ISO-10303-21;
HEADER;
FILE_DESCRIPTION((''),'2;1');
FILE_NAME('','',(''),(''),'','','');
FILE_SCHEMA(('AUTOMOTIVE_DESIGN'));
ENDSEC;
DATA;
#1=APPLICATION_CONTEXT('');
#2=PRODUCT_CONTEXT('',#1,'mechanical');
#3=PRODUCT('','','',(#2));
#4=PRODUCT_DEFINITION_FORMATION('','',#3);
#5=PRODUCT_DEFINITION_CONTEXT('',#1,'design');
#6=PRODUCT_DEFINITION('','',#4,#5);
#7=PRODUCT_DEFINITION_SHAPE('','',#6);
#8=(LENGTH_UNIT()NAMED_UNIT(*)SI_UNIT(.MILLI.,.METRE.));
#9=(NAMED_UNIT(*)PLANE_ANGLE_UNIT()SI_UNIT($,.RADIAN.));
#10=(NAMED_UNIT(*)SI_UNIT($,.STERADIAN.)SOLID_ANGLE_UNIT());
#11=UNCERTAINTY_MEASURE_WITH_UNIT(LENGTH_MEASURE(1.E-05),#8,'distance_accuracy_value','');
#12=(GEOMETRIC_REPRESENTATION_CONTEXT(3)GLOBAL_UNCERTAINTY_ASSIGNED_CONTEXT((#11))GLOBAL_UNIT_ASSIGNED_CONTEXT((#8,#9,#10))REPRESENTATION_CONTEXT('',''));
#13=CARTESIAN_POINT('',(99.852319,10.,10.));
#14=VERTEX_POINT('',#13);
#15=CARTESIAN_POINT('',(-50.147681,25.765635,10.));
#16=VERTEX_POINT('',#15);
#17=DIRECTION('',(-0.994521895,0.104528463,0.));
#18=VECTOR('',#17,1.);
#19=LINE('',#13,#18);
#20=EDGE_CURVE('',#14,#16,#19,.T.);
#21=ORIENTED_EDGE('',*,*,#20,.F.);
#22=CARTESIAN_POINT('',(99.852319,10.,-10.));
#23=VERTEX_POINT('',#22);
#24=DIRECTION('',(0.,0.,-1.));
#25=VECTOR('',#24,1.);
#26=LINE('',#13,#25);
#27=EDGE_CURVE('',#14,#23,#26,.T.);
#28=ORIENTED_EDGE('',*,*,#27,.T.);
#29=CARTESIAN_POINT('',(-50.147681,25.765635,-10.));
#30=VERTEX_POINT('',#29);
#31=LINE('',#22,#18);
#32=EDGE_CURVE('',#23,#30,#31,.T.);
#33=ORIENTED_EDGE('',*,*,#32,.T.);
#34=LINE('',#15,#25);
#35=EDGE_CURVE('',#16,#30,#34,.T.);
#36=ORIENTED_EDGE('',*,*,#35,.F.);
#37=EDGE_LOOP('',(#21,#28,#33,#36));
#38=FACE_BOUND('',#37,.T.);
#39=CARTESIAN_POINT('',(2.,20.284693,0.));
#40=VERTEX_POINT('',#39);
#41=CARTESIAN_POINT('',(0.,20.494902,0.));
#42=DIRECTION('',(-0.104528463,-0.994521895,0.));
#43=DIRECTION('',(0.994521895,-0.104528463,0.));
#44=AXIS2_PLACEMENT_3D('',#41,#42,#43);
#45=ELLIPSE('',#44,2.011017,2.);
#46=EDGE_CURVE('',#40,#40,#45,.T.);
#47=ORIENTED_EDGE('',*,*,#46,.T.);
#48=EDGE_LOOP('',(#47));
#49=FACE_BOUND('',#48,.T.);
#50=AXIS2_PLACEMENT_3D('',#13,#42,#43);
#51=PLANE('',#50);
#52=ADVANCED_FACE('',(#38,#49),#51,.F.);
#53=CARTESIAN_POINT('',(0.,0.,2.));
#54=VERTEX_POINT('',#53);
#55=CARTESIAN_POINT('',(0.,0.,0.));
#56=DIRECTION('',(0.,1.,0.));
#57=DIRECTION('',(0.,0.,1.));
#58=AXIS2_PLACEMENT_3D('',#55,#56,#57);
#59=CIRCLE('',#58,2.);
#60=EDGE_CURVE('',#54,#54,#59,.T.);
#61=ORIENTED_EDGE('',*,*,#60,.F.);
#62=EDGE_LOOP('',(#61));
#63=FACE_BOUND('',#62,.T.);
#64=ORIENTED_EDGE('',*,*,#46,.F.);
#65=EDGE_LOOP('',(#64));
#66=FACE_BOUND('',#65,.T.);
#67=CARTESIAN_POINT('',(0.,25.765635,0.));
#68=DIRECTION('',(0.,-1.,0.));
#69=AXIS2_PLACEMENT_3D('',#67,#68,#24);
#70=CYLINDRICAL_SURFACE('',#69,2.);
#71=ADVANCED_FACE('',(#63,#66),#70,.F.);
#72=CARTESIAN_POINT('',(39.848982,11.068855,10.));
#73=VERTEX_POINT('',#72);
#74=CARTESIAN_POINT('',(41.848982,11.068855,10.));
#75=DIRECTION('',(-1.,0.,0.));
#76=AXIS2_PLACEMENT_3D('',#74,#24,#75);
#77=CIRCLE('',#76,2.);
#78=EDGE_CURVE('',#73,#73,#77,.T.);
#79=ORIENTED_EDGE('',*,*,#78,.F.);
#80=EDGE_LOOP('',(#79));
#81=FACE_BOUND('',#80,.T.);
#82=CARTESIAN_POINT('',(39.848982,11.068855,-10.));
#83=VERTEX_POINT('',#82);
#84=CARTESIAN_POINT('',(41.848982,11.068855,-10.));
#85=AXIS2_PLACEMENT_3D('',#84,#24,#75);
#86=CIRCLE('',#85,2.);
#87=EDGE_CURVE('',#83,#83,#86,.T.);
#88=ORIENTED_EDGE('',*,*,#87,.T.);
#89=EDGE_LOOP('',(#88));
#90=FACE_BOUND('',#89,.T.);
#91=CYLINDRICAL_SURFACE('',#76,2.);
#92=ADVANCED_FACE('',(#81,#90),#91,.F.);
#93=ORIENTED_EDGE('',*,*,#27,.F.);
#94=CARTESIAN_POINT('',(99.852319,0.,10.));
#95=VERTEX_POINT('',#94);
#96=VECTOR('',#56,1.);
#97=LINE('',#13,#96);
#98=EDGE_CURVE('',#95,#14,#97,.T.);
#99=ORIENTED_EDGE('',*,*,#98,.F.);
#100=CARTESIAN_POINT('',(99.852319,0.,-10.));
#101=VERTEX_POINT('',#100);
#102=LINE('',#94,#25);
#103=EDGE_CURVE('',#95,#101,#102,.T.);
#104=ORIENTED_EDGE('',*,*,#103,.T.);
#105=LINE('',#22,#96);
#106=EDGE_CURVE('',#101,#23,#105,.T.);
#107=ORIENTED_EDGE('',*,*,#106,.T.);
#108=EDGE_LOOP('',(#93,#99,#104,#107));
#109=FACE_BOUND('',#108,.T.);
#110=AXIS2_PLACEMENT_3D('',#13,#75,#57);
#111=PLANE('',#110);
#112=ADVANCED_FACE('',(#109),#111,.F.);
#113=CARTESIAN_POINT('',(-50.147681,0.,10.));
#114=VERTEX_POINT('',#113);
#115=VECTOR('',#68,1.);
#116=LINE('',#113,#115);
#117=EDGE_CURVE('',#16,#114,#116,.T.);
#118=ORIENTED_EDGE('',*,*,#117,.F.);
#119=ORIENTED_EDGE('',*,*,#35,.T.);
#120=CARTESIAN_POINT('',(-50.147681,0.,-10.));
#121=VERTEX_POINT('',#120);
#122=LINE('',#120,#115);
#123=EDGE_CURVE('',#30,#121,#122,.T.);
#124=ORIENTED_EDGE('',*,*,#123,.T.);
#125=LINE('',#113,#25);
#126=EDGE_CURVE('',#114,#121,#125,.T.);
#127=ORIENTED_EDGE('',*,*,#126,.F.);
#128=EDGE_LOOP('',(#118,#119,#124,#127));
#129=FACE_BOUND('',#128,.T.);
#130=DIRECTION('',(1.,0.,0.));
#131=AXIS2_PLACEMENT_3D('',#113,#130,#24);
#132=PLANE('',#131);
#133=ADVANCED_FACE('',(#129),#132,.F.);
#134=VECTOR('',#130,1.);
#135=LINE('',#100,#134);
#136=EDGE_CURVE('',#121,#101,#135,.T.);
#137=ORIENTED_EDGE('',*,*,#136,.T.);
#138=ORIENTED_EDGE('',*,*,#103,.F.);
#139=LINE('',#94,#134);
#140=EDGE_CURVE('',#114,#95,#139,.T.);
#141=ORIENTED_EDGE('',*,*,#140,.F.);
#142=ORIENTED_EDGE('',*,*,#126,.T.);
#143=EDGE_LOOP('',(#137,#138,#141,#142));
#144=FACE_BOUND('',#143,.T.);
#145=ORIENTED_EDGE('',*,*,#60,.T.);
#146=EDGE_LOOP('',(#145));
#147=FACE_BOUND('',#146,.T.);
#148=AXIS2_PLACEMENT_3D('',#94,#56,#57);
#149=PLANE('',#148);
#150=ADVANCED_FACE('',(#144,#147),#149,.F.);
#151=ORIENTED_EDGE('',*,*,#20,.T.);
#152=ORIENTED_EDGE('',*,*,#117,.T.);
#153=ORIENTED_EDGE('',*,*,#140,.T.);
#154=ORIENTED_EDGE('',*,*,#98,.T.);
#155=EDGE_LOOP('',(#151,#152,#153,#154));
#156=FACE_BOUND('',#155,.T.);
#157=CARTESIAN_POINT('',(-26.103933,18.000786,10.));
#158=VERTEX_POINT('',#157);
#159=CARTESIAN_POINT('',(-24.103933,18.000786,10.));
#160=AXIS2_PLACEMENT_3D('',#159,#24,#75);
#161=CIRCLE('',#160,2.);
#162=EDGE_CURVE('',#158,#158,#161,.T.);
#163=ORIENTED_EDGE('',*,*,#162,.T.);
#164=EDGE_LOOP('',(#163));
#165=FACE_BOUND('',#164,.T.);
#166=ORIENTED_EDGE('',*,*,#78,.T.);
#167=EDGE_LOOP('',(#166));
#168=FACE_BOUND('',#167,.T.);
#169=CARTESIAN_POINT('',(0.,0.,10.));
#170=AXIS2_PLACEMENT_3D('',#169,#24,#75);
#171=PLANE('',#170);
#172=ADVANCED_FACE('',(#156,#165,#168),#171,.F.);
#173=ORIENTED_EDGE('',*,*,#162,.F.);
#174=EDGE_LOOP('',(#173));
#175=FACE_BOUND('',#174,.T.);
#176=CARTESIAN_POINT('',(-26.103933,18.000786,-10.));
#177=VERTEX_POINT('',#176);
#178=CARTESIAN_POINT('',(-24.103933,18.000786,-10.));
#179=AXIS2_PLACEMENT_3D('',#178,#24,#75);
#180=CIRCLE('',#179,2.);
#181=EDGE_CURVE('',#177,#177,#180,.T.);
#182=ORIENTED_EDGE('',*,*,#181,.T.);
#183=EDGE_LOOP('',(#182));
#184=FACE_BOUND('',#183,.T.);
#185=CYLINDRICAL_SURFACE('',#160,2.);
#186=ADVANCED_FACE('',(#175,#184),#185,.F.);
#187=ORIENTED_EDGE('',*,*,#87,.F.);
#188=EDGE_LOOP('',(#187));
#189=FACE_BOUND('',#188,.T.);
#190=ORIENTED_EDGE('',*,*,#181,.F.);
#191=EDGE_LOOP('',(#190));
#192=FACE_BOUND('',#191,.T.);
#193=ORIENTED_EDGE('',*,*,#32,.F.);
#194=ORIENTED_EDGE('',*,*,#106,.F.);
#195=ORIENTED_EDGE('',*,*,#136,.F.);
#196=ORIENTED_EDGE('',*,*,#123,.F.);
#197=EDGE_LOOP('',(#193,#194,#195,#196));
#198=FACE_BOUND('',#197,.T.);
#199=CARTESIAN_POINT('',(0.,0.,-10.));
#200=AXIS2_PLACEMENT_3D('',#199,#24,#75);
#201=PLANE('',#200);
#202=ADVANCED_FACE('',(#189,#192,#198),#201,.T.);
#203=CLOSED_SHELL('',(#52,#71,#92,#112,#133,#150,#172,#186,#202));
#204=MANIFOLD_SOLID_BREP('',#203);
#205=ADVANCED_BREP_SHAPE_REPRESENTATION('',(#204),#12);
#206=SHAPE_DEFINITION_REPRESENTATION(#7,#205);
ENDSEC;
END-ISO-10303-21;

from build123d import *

# Parameters (mm, degrees)
BOSS_EXTRUDE1_DEPTH     = 10
CUT_EXTRUDE1_DEPTH      = 104.60672567
CUT_EXTRUDE1_DEPTH_BACK = 104.60672567
SKETCH2_R               = 2
CUT_EXTRUDE2_DEPTH      = 106.044531529
CUT_EXTRUDE2_DEPTH_BACK = 106.044531529
SKETCH3_R               = 2


with BuildPart() as part:
    # Sketch1 → Boss-Extrude1 (new, symmetric)
    with BuildSketch(Plane.XY):
        Polygon((99.852319163, 10), (-50.147680837, 25.76563529), (-50.147680837, 0), (99.852319163, 0), align=None)
    extrude(amount=BOSS_EXTRUDE1_DEPTH, both=True)

    # Sketch2 → Cut-Extrude1 (cut, two sides: drawn at the far end of the back side and taken through both)
    with BuildSketch(Plane.XZ.offset(-CUT_EXTRUDE1_DEPTH_BACK)):
        Circle(SKETCH2_R)
    extrude(amount=CUT_EXTRUDE1_DEPTH + CUT_EXTRUDE1_DEPTH_BACK, mode=Mode.SUBTRACT)

    # Sketch3 → Cut-Extrude2 (cut, two sides: drawn at the far end of the back side and taken through both)
    with BuildSketch(Plane(origin=(0, 0, -10), x_dir=(-1, 0, 0), z_dir=(0, 0, -1)).offset(-CUT_EXTRUDE2_DEPTH_BACK)):
        with Locations((24.103932874, 18.000785679)):
            Circle(SKETCH3_R)
        with Locations((-41.8489822, 11.068854977)):
            Circle(SKETCH3_R)
    extrude(amount=CUT_EXTRUDE2_DEPTH + CUT_EXTRUDE2_DEPTH_BACK, mode=Mode.SUBTRACT)


solid = part.part
